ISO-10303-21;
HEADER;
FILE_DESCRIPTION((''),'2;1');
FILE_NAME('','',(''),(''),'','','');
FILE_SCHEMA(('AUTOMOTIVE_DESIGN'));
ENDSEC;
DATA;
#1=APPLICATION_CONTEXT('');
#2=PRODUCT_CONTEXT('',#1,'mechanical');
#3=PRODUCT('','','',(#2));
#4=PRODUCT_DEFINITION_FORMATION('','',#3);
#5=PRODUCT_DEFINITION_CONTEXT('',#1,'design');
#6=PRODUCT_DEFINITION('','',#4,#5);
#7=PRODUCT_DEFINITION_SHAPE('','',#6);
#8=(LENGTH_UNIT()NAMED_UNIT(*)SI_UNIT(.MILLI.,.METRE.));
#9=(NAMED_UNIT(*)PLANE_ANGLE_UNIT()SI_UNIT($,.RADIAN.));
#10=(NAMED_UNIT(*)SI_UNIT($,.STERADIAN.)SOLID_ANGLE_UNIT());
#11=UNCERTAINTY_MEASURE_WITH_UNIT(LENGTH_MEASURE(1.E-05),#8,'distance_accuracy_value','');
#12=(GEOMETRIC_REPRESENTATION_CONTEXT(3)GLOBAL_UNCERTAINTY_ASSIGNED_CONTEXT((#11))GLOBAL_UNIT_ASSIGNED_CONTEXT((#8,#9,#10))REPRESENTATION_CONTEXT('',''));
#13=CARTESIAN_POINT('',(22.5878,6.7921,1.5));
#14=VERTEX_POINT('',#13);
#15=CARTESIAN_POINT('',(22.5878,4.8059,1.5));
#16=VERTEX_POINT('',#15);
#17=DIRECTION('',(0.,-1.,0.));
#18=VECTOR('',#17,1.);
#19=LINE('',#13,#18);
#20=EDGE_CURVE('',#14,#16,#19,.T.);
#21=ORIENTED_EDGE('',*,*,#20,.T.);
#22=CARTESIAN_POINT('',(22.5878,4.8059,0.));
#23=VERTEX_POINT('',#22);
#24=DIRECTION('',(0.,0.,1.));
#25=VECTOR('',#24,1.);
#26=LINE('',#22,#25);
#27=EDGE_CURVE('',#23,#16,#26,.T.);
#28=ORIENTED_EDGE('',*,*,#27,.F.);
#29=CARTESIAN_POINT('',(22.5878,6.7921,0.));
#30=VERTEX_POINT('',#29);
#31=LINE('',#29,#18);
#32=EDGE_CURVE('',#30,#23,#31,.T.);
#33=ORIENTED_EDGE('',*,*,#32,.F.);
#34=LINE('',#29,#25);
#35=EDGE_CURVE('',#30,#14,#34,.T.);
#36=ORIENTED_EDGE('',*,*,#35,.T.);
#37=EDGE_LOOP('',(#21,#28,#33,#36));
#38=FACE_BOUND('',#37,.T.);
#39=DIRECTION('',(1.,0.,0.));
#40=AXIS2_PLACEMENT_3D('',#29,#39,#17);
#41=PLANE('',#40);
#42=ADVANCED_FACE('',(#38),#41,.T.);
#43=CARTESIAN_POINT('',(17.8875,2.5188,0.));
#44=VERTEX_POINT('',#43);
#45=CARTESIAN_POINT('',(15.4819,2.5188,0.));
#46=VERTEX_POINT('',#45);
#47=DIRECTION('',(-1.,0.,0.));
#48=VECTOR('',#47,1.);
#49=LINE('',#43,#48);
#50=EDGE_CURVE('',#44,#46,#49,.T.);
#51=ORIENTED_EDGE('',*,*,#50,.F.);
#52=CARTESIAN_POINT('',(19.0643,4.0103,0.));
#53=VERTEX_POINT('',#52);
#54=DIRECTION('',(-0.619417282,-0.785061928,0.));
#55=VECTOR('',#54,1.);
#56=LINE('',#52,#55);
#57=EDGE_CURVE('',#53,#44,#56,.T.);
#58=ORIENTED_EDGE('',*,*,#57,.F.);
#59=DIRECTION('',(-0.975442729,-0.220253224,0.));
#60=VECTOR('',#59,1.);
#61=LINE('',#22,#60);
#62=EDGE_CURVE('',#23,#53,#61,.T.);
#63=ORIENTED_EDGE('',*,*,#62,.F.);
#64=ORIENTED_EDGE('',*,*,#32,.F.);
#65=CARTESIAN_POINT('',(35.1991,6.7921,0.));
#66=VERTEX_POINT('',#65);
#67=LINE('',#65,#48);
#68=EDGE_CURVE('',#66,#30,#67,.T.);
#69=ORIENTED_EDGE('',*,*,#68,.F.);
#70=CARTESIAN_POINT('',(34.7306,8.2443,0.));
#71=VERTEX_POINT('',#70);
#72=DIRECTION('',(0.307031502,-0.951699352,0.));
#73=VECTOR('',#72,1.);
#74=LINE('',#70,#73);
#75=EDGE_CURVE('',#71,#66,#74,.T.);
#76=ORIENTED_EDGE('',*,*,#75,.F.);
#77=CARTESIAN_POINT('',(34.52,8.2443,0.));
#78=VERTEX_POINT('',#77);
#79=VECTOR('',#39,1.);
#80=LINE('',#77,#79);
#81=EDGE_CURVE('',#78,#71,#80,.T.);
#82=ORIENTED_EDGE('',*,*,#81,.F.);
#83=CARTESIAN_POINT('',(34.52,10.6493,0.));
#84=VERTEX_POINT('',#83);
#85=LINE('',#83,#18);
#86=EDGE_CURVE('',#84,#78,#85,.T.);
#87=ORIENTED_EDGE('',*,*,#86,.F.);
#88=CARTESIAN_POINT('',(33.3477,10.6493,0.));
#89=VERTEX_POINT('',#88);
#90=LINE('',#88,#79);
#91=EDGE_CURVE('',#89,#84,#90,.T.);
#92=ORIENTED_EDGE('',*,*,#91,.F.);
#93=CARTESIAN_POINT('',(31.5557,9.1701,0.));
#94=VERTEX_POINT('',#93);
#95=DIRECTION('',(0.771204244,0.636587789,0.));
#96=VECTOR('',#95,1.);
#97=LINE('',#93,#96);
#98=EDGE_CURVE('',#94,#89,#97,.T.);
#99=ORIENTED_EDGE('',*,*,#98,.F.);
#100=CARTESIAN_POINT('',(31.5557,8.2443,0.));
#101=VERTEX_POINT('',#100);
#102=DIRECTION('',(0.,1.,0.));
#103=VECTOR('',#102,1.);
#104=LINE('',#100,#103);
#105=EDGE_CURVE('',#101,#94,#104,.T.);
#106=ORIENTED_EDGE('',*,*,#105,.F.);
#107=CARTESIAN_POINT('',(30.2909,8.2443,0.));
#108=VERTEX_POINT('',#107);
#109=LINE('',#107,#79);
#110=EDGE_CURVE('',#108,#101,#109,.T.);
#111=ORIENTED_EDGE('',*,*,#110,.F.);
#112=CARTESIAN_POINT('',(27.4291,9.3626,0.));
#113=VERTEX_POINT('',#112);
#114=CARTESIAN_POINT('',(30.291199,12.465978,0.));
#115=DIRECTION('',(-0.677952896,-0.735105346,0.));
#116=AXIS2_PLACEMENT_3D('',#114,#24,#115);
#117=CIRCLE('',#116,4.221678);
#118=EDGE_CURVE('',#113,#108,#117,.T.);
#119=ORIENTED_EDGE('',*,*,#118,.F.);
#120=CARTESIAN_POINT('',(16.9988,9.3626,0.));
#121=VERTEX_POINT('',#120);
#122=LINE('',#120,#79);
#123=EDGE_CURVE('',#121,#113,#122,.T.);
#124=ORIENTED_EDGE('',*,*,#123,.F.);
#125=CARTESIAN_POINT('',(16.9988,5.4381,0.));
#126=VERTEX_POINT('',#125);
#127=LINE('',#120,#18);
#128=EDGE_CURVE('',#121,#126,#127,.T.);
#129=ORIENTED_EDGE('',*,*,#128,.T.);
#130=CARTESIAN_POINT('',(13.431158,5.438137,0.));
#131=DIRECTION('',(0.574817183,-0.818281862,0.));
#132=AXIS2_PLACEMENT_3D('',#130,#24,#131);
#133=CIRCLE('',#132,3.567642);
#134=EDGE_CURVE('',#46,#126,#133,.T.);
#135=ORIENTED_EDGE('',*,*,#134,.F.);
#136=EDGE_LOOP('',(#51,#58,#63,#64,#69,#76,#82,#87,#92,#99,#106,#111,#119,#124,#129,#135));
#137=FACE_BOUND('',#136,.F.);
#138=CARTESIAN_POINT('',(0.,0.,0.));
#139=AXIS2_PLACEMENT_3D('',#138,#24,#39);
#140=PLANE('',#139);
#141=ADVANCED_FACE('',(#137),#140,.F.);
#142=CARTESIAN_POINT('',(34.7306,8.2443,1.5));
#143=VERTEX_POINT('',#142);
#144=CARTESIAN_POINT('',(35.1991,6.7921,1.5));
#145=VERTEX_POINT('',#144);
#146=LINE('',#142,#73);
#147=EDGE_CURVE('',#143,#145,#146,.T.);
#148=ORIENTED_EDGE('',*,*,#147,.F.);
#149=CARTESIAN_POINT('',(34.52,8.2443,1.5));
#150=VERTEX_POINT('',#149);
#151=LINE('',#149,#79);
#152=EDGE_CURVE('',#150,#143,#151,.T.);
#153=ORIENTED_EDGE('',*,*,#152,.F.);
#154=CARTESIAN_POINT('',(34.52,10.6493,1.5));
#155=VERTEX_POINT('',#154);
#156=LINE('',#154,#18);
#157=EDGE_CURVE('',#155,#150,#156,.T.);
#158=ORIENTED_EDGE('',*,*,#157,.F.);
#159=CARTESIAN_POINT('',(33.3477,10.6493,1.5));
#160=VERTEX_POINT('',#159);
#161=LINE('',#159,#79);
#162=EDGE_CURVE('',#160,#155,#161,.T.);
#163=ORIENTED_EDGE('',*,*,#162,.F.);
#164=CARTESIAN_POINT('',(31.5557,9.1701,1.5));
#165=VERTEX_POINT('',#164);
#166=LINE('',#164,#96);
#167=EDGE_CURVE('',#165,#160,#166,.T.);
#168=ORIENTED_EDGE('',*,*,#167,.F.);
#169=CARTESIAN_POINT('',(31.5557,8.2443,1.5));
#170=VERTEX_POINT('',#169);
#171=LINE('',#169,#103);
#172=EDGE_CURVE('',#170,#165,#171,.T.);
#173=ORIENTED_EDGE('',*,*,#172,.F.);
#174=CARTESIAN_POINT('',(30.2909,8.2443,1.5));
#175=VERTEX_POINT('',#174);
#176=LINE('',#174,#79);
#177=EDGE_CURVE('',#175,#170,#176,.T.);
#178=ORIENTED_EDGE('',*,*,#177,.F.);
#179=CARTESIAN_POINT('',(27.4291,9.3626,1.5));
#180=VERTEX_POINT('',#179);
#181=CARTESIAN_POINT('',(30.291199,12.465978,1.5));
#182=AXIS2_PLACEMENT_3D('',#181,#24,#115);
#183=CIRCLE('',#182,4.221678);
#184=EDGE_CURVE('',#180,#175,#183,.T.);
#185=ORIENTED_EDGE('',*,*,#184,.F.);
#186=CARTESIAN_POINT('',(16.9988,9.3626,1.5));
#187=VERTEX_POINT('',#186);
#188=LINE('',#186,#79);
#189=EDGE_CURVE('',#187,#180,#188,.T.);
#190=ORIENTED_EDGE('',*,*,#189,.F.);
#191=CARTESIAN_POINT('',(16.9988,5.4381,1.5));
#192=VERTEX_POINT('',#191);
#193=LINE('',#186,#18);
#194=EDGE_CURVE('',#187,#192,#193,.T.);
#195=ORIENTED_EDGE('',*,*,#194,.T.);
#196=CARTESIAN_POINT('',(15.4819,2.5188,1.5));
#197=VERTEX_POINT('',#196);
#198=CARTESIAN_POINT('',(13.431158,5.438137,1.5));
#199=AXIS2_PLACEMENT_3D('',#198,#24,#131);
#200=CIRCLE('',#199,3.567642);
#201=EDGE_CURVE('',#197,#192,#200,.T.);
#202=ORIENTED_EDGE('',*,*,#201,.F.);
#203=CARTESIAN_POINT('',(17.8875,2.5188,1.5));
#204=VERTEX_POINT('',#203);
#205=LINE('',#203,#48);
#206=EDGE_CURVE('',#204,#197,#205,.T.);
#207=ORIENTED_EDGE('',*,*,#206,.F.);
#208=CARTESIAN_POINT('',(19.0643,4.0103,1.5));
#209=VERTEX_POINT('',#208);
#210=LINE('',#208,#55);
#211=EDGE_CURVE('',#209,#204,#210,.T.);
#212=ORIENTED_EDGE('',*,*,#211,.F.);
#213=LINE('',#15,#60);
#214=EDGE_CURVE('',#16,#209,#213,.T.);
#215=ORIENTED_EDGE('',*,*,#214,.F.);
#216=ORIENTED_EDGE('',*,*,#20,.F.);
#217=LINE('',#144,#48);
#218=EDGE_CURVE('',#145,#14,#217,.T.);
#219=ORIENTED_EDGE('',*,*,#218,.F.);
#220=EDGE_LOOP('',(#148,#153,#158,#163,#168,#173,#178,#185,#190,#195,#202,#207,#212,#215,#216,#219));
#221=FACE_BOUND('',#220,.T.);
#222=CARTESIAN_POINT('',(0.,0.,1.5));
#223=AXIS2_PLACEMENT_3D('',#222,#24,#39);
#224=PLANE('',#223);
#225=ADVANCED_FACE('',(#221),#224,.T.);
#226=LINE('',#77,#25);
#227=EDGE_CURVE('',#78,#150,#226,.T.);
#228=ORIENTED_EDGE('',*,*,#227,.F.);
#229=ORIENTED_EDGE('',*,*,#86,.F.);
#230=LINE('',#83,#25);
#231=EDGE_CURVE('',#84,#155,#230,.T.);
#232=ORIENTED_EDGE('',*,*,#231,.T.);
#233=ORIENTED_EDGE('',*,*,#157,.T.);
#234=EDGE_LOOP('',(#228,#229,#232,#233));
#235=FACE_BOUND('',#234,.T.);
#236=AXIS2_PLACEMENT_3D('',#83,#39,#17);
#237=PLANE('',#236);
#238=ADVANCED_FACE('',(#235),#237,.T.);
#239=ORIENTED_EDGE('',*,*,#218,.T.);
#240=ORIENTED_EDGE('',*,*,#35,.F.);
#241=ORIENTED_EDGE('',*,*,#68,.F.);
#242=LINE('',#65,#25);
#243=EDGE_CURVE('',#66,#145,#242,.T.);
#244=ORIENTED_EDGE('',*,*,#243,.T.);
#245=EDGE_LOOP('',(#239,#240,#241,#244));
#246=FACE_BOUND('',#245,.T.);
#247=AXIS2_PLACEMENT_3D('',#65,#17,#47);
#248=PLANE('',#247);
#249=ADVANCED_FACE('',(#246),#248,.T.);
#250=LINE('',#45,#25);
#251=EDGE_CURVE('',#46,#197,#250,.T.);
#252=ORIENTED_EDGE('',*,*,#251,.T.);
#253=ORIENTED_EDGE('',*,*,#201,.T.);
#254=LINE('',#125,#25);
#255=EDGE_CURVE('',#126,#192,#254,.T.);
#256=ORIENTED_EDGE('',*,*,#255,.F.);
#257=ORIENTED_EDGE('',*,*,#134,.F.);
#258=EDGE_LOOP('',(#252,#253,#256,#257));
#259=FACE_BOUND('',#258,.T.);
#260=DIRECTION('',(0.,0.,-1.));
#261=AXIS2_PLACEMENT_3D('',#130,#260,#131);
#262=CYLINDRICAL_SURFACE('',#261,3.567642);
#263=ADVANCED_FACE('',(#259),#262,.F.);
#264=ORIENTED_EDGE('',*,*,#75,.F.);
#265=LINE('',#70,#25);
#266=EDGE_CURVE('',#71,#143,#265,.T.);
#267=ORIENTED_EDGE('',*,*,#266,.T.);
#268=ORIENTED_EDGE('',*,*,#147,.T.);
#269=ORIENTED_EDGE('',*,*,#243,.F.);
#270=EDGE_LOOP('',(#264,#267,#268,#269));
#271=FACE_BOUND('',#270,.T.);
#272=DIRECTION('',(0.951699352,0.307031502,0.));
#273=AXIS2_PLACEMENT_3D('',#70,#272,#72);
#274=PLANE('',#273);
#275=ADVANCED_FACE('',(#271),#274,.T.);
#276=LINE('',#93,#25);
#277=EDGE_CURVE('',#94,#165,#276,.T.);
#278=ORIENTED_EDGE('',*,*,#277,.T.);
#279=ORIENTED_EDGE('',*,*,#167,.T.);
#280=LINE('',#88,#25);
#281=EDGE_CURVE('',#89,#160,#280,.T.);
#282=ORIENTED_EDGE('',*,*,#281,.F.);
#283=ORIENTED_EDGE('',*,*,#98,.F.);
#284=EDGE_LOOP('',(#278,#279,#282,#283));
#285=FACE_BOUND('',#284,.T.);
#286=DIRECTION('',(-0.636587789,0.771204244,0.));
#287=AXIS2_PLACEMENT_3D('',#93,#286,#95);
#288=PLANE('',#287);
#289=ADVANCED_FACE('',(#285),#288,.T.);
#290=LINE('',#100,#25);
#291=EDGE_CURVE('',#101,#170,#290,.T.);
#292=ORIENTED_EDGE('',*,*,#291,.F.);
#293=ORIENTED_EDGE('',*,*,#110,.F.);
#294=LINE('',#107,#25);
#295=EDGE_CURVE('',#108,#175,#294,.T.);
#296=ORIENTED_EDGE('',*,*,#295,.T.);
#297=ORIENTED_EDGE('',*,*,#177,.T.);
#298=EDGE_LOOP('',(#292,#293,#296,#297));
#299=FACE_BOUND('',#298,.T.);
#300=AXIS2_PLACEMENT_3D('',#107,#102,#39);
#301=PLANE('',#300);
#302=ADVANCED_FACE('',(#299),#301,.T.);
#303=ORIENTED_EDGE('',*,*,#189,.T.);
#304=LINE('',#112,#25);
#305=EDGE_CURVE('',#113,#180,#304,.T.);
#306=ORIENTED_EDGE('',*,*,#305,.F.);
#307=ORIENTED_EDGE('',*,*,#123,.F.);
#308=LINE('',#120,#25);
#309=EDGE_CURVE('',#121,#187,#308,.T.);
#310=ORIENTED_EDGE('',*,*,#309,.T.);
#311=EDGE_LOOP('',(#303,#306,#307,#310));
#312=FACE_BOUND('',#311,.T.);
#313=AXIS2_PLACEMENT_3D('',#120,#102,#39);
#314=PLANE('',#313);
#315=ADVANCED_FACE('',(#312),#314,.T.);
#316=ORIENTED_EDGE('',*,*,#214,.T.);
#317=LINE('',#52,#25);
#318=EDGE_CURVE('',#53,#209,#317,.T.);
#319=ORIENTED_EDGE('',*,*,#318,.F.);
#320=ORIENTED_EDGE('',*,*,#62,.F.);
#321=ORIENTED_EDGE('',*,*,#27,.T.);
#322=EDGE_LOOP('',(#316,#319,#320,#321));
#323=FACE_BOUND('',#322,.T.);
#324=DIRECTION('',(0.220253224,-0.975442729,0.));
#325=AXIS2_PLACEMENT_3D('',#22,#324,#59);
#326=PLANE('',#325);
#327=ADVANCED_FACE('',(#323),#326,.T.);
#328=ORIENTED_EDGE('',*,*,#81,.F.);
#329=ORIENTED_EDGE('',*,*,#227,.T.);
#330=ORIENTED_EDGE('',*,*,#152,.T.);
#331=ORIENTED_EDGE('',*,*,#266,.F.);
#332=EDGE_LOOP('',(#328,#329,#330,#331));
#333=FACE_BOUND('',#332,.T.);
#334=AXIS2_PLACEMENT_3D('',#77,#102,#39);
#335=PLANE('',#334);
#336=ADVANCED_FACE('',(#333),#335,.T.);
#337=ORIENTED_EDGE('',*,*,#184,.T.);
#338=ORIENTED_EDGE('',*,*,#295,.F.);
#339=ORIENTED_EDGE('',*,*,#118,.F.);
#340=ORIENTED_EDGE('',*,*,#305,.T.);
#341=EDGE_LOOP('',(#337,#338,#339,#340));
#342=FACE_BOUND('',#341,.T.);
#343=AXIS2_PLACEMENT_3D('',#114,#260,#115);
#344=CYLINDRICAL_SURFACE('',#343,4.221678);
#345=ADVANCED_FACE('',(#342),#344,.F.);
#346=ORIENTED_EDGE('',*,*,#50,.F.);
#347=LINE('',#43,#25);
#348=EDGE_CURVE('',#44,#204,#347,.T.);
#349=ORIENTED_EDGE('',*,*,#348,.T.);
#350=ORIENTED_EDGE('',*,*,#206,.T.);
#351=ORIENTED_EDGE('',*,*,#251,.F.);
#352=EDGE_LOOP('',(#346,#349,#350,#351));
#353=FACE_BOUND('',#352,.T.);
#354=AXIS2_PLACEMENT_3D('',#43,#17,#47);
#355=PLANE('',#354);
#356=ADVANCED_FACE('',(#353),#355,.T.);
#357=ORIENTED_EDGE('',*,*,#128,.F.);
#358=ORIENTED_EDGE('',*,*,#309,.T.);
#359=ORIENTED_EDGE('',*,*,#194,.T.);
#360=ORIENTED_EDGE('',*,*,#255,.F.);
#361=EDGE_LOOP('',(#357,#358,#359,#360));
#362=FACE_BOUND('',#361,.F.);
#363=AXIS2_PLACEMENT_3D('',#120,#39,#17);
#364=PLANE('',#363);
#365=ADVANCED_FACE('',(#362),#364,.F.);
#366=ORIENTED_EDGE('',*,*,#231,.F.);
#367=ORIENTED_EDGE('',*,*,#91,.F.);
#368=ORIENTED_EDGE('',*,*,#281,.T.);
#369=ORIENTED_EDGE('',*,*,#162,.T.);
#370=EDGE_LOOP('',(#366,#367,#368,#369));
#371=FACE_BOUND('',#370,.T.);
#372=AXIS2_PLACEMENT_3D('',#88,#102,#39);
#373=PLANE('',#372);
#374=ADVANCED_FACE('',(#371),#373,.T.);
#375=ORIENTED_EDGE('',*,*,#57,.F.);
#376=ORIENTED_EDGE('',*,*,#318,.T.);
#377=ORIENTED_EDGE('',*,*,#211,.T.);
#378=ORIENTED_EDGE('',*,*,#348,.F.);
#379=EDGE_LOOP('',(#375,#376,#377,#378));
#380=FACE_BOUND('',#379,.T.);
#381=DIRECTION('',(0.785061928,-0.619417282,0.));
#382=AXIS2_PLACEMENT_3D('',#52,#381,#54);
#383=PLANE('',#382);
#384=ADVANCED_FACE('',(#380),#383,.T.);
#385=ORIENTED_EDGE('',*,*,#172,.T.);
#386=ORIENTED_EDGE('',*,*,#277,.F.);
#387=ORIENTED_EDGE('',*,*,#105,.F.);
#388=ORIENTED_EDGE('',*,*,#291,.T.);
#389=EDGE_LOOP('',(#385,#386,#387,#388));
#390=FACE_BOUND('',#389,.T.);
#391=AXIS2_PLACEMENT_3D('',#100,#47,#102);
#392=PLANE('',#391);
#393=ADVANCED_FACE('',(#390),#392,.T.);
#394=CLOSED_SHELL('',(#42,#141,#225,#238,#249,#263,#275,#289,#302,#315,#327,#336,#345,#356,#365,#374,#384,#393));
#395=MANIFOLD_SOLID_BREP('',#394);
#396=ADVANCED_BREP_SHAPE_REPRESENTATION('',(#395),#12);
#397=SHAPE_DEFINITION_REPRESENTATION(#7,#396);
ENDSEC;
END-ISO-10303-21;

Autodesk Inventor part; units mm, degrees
ref_plane "YZ Plane" through (0, 0, 0) normal (1, 0, 0) x (0, 1, 0)
ref_plane "XZ Plane" through (0, 0, 0) normal (0, 1, 0) x (-1, 0, 0)
ref_plane "XY Plane" through (0, 0, 0) normal (0, 0, 1) x (1, 0, 0)
sketch "Sketch1" plane through (0, 0, 0) normal (0, 0, 1) x (1, 0, 0)
  line L0 (-27.669, 21.4051) -> (50.2215, 21.4051) construction
  line L1 (50.2215, 21.4051) -> (50.2215, -35.1456) construction
  line L2 (50.2215, -35.1456) -> (-27.669, -35.1456) construction
  line L3 (-27.669, -35.1456) -> (-27.669, 21.4051) construction
  line L4 (-25.2081, -35.2295) -> (52.6824, -35.2295) construction
  line L5 (16.9988, 9.3626) -> (27.4291, 9.3626)
  line L6 (30.2909, 8.2443) -> (31.5557, 8.2443)
  line L7 (31.5557, 8.2443) -> (31.5557, 9.1701)
  line L8 (31.5557, 9.1701) -> (33.3477, 10.6493)
  line L9 (33.3477, 10.6493) -> (34.52, 10.6493)
  line L10 (34.52, 10.6493) -> (34.52, 8.2443)
  line L11 (34.52, 8.2443) -> (34.7306, 8.2443)
  line L12 (34.7306, 8.2443) -> (35.1991, 6.7921)
  line L13 (35.1991, 6.7921) -> (22.5878, 6.7921)
  line L14 (22.5878, 6.7921) -> (22.5878, 4.8059)
  line L15 (22.5878, 4.8059) -> (19.0643, 4.0103)
  line L16 (19.0643, 4.0103) -> (17.8875, 2.5188)
  line L17 (17.8875, 2.5188) -> (15.4819, 2.5188)
  line L18 (16.9988, 9.3626) -> (16.9988, 5.4381)
  arc A0 (15.4819, 2.5188) -> (16.9988, 5.4381) centre (13.4312, 5.4381) ccw
  arc A1 (27.4291, 9.3626) -> (30.2909, 8.2443) centre (30.2909, 12.4655) ccw
  line L19 (36.8494, 6.7921) -> (35.3044, 6.7921)
  line L20 (36.8494, 6.7921) -> (35.3044, 6.7921) construction
  line L21 (36.8494, 6.7921) -> (35.3044, 6.7921) construction
  point P0 (0, 0)
  point P1 (26.4448, 6.7921)
  dimension "d1" = 77.8905
  dimension "d2" = 77.8905
extrude "Plate1" add sketch "Sketch1" along normal blind 1.5
equation "\"d2\" = d1"
equation "\"d31\" = Thickness"
equation "\"BendRadius\" = Thickness"
equation "\"BendReliefWidth\" = Thickness"
equation "\"BendReliefDepth\" = 0.5 * Thickness"
equation "\"CornerReliefSize\" = 4 * Thickness"
equation "\"MinimumRemnant\" = 2 * Thickness"
equation "\"TransitionRadius\" = BendRadius"
equation "\"JacobiRadiusSize\" = BendRadius"
equation "\"GapSize\" = Thickness"
equation "\"Thickness\" = 1.5"
properties part number "inner slider"
